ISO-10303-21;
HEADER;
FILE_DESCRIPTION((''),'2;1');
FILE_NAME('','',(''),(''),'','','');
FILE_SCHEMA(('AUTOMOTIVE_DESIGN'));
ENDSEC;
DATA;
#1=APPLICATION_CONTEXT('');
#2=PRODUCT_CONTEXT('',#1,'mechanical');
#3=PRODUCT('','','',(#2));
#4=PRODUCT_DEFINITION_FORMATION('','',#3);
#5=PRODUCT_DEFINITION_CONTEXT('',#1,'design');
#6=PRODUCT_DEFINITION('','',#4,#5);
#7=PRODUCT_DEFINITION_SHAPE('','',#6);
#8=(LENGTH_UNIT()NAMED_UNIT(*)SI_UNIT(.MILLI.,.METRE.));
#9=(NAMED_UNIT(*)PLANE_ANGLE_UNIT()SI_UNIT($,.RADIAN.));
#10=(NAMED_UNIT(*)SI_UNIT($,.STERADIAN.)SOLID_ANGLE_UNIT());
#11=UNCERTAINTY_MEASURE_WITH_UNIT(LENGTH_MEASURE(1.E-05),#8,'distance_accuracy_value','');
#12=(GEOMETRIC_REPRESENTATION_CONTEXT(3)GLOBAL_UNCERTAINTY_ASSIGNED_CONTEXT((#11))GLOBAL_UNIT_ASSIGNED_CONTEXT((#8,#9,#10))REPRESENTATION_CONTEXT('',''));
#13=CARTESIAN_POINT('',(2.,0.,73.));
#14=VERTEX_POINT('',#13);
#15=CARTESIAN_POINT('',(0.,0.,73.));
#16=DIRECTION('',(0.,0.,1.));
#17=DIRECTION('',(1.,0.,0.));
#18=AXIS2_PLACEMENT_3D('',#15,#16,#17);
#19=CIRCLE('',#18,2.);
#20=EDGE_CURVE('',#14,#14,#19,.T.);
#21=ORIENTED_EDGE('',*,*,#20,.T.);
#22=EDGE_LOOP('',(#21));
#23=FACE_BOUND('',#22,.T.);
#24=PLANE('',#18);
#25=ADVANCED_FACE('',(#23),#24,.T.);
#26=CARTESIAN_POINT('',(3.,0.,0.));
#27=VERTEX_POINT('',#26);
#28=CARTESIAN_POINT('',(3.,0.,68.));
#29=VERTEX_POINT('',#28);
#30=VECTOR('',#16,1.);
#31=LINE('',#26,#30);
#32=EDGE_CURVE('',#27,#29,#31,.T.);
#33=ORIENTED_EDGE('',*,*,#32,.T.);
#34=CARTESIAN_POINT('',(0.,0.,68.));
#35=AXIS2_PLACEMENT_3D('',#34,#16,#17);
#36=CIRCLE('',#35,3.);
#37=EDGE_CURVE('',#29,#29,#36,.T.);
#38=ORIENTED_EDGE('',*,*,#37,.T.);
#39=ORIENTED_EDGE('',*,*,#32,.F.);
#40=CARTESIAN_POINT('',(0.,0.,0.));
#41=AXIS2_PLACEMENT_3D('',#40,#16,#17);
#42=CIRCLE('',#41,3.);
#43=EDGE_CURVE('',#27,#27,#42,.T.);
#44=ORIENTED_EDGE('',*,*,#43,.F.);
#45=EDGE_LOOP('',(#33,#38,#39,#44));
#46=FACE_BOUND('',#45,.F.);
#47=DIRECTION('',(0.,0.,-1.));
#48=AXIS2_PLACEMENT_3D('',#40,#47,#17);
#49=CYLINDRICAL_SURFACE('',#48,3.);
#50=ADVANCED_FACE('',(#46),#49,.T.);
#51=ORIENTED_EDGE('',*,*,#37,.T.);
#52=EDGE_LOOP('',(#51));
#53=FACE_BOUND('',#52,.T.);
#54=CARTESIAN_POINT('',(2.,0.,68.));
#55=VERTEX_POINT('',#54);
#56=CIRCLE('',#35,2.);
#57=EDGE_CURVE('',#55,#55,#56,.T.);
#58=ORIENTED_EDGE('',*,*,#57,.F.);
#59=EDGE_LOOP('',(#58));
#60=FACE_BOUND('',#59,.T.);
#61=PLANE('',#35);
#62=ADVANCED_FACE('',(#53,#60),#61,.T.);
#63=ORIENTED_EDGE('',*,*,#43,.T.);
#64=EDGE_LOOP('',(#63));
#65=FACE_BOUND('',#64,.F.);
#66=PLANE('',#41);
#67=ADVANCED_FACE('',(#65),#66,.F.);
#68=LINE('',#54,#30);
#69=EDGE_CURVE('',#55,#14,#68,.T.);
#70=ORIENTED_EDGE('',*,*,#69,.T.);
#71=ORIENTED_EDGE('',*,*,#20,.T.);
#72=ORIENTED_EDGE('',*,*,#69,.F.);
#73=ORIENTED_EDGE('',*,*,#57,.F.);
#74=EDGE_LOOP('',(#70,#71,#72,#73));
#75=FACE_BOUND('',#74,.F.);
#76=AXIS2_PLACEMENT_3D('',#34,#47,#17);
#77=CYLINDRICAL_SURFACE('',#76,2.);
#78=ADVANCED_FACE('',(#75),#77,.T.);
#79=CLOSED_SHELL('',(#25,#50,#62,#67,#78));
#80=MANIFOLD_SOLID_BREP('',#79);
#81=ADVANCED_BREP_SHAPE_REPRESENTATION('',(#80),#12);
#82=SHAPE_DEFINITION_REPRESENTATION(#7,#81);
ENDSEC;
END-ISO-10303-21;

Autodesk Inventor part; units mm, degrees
ref_plane "YZ Plane" through (0, 0, 0) normal (1, 0, 0) x (0, 1, 0)
ref_plane "XZ Plane" through (0, 0, 0) normal (0, 1, 0) x (-1, 0, 0)
ref_plane "XY Plane" through (0, 0, 0) normal (0, 0, 1) x (1, 0, 0)
sketch "Sketch1" plane through (0, 0, 0) normal (0, 0, 1) x (1, 0, 0)
  circle A0 centre (0, 0) radius 3
  dimension "d0" = 6
extrude "Extrusion1" add sketch "Sketch1" along normal blind 68
sketch "Sketch2" plane through (0, 0, 68) normal (0, 0, 1) x (1, 0, 0)
  circle A0 centre (0, 0) radius 2
  dimension "d3" = 4
extrude "Extrusion2" add sketch "Sketch2" along normal blind 5
properties part number "Pret_do_duzego_silnika"
